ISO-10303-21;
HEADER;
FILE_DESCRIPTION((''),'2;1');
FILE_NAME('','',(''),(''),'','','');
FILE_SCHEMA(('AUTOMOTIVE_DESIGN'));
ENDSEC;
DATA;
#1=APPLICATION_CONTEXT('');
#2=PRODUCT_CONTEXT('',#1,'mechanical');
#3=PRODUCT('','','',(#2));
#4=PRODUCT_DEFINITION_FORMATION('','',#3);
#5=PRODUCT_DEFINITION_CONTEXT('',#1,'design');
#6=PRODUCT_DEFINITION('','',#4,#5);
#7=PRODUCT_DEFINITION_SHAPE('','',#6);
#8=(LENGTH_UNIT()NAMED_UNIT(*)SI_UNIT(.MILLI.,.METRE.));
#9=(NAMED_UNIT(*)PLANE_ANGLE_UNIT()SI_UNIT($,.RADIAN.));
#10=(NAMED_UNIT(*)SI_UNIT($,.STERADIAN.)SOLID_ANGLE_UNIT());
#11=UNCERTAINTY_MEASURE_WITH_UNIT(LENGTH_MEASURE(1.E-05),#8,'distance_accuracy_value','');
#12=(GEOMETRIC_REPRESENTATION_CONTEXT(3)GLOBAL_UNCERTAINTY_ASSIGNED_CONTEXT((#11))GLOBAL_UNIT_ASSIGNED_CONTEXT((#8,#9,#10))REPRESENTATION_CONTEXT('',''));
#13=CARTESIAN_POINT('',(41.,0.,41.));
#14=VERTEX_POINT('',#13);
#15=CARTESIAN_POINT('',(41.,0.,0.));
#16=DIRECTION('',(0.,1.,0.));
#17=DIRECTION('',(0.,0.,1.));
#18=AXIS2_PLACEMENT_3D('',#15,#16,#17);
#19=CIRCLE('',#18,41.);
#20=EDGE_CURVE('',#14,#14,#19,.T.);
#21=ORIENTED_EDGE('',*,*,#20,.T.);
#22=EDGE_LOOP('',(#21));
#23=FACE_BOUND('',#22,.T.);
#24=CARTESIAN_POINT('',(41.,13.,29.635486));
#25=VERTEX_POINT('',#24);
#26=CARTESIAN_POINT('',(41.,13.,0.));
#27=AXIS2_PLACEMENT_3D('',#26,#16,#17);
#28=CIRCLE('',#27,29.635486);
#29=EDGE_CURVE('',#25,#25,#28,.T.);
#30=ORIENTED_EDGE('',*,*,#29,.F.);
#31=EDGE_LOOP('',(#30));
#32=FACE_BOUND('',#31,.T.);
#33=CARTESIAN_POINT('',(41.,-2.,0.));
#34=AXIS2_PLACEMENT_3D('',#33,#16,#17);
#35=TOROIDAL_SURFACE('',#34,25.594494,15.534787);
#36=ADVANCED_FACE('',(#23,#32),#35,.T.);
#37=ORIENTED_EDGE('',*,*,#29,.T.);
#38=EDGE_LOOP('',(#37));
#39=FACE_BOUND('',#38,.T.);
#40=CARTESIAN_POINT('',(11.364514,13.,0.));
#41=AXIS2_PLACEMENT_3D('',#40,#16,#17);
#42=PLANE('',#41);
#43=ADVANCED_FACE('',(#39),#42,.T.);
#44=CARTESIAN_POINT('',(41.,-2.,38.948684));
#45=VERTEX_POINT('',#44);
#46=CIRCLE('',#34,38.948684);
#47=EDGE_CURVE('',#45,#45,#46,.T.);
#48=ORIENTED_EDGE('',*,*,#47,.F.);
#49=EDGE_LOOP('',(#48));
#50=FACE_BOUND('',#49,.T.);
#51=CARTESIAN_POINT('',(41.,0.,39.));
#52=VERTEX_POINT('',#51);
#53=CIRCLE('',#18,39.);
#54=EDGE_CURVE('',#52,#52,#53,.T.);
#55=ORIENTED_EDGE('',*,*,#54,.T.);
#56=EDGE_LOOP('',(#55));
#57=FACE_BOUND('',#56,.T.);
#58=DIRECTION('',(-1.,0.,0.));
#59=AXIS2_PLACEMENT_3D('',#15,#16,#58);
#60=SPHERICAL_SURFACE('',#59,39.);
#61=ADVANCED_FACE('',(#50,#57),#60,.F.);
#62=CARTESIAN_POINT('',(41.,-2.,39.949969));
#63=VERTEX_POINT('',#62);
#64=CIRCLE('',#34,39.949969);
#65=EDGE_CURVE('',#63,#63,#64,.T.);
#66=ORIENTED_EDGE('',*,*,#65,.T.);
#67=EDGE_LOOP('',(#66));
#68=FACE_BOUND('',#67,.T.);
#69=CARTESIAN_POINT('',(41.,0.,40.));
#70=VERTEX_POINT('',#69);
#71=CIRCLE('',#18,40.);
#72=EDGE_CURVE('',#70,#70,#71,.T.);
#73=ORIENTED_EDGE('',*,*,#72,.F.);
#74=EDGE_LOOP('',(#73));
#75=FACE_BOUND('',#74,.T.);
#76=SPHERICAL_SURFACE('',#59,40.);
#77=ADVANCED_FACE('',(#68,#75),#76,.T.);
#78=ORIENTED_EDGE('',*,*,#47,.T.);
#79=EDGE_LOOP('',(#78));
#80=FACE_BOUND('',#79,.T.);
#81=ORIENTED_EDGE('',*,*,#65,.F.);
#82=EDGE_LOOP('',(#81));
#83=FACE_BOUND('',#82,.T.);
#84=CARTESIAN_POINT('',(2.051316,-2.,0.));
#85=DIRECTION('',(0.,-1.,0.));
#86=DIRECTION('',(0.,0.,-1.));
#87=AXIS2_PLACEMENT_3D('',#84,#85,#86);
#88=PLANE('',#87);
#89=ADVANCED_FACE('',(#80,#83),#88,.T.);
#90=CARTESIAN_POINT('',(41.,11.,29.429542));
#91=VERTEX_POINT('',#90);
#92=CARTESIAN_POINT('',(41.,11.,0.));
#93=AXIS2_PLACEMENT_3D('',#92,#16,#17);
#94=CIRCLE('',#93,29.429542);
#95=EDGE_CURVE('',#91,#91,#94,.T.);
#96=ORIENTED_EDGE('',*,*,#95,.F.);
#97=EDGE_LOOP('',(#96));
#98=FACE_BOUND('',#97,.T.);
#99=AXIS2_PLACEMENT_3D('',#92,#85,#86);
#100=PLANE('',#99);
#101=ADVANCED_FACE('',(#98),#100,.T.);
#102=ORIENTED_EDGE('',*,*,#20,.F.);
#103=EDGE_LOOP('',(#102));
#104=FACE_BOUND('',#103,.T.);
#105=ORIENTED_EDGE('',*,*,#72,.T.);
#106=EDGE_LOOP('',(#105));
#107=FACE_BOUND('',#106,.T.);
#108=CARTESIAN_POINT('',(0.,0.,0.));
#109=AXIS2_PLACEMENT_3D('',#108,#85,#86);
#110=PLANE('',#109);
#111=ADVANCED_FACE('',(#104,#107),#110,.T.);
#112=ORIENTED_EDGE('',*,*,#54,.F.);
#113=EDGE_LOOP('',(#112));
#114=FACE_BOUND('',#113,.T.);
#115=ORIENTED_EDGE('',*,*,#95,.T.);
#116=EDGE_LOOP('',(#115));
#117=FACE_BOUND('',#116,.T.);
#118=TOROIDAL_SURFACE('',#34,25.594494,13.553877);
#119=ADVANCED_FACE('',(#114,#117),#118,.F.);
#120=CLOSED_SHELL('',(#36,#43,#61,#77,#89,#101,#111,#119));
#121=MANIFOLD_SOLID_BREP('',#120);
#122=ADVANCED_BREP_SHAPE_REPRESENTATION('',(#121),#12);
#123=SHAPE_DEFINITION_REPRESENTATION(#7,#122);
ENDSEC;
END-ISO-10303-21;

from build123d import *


with BuildPart() as part:
    # Sketch1 → Revolve3 (revolve)
    with BuildSketch(Plane.XY, mode=Mode.PRIVATE) as revolve3_sk:
        with BuildLine():
            Line((0, 0), (1, 0))
            ThreePointArc((1, 0), (1.012509778, -1.000312842), (1.050031289, -2))
            Line((1.050031289, -2), (2.051315812, -2))
            ThreePointArc((2.051315812, -2), (2.012831064, -1.00032911), (2, 0))
            ThreePointArc((2, 0), (5.180088034, 6.896539681), (11.570458359, 11))
            Line((11.570458359, 11), (41, 11))
            Line((41, 11), (41, 13))
            Line((41, 13), (11.364514255, 13))
            ThreePointArc((11.364514255, 13), (3.709713219, 8.224384875), (0, 0))
        make_face()
    revolve(revolve3_sk.sketch.rotate(Axis((41, 13, 0), (0, -1, 0)), 270), axis=Axis((41, 13, 0), (0, -1, 0)))


solid = part.part
